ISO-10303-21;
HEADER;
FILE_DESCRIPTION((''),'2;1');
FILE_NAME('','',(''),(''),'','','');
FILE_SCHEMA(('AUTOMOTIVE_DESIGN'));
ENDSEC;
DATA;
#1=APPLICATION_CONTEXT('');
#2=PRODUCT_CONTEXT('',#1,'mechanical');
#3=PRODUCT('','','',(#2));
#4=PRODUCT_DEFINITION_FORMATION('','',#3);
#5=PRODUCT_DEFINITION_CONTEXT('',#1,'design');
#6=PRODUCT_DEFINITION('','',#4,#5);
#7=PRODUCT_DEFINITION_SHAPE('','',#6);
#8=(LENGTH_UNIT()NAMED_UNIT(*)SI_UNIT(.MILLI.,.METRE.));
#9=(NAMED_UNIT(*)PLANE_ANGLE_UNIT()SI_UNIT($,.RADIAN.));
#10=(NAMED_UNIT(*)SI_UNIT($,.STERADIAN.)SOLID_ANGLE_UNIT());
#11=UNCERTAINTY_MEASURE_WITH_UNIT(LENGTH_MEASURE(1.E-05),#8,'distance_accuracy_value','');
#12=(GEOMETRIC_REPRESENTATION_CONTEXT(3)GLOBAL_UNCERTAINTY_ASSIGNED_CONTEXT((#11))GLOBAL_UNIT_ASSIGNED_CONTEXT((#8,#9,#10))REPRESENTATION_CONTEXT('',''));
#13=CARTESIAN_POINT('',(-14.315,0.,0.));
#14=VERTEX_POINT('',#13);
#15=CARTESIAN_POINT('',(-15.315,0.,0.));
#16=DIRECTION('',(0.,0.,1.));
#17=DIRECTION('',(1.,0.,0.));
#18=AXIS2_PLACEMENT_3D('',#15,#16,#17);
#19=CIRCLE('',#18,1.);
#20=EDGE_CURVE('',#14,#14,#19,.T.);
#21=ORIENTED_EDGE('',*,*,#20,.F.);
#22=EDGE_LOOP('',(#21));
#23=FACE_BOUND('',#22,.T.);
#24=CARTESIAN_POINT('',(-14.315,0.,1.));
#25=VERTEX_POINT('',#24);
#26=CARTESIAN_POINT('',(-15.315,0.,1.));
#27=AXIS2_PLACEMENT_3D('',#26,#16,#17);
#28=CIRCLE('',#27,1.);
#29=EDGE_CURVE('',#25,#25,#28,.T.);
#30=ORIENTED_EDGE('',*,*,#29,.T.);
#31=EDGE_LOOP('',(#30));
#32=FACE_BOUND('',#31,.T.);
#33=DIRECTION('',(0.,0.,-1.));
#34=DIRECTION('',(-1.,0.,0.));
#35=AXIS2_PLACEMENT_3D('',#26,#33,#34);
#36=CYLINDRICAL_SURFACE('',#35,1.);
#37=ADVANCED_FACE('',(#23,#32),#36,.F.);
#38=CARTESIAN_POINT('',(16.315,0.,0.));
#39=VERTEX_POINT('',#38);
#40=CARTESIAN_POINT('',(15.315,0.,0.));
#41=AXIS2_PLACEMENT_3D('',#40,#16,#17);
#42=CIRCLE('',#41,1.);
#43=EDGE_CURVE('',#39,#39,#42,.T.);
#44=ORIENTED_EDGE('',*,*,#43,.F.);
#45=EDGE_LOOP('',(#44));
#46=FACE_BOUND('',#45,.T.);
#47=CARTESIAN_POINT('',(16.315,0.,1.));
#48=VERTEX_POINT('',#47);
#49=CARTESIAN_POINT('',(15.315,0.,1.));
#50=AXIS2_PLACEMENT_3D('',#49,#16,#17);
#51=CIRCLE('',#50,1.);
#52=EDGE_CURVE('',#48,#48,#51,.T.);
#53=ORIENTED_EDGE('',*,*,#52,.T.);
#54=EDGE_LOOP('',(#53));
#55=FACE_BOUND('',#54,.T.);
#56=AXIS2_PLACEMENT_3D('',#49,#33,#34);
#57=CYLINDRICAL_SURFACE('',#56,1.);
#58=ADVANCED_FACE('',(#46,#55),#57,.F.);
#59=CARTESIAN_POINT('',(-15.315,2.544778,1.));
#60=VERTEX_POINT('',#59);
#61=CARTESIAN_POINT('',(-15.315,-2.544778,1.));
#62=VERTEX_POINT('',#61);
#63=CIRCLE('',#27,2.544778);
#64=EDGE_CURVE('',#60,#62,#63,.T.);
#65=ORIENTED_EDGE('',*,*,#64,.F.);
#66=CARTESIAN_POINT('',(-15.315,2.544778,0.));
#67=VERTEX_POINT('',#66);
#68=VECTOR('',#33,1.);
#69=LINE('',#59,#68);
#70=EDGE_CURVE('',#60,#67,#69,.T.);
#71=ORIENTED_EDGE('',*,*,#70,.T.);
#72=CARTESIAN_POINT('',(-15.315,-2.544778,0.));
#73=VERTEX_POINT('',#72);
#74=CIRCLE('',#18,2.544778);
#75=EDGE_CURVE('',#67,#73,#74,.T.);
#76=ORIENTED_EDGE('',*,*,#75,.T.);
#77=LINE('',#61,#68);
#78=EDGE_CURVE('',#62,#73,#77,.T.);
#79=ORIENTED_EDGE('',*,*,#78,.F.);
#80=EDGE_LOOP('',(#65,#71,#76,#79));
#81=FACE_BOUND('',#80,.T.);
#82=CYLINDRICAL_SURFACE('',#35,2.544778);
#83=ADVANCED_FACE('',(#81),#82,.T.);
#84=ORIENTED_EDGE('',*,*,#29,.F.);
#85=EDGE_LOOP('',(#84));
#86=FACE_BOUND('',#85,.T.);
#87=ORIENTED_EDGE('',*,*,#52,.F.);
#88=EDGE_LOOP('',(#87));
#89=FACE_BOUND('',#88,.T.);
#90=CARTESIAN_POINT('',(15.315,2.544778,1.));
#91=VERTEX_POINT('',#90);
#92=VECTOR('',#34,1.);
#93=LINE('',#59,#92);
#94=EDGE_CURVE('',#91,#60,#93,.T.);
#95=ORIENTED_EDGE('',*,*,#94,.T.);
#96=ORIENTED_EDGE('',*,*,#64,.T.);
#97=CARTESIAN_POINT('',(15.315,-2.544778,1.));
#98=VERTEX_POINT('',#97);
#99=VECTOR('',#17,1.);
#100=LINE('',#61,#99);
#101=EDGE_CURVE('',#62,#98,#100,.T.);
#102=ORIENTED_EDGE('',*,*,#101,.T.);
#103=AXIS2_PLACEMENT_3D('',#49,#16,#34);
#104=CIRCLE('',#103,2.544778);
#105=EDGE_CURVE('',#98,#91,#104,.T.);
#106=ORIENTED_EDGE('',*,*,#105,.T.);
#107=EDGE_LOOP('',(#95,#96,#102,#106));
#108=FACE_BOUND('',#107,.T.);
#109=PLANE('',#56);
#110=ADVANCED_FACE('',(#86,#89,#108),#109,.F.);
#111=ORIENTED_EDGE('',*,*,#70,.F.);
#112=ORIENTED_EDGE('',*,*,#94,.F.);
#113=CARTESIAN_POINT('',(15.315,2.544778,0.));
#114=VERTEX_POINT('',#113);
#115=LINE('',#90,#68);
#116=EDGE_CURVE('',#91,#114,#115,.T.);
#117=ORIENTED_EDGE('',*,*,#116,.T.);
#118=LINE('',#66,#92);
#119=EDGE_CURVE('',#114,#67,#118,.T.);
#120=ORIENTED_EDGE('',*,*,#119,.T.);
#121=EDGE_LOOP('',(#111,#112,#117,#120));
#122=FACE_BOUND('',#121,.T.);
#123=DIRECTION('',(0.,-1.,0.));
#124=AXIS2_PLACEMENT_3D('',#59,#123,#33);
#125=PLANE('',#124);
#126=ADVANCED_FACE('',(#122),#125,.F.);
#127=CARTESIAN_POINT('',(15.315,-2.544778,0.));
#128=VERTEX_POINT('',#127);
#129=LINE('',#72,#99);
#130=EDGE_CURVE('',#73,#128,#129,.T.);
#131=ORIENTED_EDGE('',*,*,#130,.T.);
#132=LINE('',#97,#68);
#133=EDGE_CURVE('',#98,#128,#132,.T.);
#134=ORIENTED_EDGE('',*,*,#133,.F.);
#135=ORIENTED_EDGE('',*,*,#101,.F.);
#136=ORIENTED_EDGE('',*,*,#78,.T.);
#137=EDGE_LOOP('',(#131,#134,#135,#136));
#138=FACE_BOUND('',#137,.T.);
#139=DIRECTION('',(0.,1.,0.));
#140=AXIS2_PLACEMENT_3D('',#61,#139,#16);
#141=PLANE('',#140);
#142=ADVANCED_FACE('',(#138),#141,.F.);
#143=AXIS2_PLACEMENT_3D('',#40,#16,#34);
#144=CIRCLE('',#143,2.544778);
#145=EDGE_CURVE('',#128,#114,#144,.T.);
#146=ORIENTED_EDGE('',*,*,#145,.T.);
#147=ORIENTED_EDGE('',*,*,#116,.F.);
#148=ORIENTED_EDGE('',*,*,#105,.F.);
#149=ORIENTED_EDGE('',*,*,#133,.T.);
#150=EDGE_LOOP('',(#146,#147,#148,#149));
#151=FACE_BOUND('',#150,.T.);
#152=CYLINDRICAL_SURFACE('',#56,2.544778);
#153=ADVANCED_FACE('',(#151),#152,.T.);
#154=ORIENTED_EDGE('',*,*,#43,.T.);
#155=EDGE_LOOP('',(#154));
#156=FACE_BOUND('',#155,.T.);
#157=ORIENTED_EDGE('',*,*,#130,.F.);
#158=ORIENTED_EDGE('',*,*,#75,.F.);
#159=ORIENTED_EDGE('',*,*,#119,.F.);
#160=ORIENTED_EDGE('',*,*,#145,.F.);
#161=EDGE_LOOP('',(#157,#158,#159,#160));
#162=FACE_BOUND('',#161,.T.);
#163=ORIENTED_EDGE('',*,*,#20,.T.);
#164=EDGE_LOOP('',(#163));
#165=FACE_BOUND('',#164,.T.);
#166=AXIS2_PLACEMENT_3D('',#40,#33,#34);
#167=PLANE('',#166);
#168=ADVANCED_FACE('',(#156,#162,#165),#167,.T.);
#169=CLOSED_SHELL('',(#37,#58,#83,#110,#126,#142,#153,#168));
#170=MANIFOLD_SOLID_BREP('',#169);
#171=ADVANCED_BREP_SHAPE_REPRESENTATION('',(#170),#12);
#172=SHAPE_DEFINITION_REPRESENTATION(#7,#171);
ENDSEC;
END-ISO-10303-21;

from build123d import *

# Parameters (mm, degrees)
ESBO_O1_R                = 1
RESSALTO_EXTRUS_O1_DEPTH = 1


with BuildPart() as part:
    # Esboço1 → Ressalto-extrusão1 (new body)
    with BuildSketch(Plane.XY):
        with BuildLine():
            Line((-15.315, 2.544778142), (15.315, 2.544778142))
            ThreePointArc((15.315, 2.544778142), (17.859778142, 0), (15.315, -2.544778142))
            Line((15.315, -2.544778142), (-15.315, -2.544778142))
            ThreePointArc((-15.315, -2.544778142), (-17.859778142, 0), (-15.315, 2.544778142))
        make_face()
        with Locations((-15.315, 0)):
            Circle(ESBO_O1_R, mode=Mode.SUBTRACT)
        with Locations((15.315, 0)):
            Circle(ESBO_O1_R, mode=Mode.SUBTRACT)
    extrude(amount=RESSALTO_EXTRUS_O1_DEPTH)


solid = part.part
